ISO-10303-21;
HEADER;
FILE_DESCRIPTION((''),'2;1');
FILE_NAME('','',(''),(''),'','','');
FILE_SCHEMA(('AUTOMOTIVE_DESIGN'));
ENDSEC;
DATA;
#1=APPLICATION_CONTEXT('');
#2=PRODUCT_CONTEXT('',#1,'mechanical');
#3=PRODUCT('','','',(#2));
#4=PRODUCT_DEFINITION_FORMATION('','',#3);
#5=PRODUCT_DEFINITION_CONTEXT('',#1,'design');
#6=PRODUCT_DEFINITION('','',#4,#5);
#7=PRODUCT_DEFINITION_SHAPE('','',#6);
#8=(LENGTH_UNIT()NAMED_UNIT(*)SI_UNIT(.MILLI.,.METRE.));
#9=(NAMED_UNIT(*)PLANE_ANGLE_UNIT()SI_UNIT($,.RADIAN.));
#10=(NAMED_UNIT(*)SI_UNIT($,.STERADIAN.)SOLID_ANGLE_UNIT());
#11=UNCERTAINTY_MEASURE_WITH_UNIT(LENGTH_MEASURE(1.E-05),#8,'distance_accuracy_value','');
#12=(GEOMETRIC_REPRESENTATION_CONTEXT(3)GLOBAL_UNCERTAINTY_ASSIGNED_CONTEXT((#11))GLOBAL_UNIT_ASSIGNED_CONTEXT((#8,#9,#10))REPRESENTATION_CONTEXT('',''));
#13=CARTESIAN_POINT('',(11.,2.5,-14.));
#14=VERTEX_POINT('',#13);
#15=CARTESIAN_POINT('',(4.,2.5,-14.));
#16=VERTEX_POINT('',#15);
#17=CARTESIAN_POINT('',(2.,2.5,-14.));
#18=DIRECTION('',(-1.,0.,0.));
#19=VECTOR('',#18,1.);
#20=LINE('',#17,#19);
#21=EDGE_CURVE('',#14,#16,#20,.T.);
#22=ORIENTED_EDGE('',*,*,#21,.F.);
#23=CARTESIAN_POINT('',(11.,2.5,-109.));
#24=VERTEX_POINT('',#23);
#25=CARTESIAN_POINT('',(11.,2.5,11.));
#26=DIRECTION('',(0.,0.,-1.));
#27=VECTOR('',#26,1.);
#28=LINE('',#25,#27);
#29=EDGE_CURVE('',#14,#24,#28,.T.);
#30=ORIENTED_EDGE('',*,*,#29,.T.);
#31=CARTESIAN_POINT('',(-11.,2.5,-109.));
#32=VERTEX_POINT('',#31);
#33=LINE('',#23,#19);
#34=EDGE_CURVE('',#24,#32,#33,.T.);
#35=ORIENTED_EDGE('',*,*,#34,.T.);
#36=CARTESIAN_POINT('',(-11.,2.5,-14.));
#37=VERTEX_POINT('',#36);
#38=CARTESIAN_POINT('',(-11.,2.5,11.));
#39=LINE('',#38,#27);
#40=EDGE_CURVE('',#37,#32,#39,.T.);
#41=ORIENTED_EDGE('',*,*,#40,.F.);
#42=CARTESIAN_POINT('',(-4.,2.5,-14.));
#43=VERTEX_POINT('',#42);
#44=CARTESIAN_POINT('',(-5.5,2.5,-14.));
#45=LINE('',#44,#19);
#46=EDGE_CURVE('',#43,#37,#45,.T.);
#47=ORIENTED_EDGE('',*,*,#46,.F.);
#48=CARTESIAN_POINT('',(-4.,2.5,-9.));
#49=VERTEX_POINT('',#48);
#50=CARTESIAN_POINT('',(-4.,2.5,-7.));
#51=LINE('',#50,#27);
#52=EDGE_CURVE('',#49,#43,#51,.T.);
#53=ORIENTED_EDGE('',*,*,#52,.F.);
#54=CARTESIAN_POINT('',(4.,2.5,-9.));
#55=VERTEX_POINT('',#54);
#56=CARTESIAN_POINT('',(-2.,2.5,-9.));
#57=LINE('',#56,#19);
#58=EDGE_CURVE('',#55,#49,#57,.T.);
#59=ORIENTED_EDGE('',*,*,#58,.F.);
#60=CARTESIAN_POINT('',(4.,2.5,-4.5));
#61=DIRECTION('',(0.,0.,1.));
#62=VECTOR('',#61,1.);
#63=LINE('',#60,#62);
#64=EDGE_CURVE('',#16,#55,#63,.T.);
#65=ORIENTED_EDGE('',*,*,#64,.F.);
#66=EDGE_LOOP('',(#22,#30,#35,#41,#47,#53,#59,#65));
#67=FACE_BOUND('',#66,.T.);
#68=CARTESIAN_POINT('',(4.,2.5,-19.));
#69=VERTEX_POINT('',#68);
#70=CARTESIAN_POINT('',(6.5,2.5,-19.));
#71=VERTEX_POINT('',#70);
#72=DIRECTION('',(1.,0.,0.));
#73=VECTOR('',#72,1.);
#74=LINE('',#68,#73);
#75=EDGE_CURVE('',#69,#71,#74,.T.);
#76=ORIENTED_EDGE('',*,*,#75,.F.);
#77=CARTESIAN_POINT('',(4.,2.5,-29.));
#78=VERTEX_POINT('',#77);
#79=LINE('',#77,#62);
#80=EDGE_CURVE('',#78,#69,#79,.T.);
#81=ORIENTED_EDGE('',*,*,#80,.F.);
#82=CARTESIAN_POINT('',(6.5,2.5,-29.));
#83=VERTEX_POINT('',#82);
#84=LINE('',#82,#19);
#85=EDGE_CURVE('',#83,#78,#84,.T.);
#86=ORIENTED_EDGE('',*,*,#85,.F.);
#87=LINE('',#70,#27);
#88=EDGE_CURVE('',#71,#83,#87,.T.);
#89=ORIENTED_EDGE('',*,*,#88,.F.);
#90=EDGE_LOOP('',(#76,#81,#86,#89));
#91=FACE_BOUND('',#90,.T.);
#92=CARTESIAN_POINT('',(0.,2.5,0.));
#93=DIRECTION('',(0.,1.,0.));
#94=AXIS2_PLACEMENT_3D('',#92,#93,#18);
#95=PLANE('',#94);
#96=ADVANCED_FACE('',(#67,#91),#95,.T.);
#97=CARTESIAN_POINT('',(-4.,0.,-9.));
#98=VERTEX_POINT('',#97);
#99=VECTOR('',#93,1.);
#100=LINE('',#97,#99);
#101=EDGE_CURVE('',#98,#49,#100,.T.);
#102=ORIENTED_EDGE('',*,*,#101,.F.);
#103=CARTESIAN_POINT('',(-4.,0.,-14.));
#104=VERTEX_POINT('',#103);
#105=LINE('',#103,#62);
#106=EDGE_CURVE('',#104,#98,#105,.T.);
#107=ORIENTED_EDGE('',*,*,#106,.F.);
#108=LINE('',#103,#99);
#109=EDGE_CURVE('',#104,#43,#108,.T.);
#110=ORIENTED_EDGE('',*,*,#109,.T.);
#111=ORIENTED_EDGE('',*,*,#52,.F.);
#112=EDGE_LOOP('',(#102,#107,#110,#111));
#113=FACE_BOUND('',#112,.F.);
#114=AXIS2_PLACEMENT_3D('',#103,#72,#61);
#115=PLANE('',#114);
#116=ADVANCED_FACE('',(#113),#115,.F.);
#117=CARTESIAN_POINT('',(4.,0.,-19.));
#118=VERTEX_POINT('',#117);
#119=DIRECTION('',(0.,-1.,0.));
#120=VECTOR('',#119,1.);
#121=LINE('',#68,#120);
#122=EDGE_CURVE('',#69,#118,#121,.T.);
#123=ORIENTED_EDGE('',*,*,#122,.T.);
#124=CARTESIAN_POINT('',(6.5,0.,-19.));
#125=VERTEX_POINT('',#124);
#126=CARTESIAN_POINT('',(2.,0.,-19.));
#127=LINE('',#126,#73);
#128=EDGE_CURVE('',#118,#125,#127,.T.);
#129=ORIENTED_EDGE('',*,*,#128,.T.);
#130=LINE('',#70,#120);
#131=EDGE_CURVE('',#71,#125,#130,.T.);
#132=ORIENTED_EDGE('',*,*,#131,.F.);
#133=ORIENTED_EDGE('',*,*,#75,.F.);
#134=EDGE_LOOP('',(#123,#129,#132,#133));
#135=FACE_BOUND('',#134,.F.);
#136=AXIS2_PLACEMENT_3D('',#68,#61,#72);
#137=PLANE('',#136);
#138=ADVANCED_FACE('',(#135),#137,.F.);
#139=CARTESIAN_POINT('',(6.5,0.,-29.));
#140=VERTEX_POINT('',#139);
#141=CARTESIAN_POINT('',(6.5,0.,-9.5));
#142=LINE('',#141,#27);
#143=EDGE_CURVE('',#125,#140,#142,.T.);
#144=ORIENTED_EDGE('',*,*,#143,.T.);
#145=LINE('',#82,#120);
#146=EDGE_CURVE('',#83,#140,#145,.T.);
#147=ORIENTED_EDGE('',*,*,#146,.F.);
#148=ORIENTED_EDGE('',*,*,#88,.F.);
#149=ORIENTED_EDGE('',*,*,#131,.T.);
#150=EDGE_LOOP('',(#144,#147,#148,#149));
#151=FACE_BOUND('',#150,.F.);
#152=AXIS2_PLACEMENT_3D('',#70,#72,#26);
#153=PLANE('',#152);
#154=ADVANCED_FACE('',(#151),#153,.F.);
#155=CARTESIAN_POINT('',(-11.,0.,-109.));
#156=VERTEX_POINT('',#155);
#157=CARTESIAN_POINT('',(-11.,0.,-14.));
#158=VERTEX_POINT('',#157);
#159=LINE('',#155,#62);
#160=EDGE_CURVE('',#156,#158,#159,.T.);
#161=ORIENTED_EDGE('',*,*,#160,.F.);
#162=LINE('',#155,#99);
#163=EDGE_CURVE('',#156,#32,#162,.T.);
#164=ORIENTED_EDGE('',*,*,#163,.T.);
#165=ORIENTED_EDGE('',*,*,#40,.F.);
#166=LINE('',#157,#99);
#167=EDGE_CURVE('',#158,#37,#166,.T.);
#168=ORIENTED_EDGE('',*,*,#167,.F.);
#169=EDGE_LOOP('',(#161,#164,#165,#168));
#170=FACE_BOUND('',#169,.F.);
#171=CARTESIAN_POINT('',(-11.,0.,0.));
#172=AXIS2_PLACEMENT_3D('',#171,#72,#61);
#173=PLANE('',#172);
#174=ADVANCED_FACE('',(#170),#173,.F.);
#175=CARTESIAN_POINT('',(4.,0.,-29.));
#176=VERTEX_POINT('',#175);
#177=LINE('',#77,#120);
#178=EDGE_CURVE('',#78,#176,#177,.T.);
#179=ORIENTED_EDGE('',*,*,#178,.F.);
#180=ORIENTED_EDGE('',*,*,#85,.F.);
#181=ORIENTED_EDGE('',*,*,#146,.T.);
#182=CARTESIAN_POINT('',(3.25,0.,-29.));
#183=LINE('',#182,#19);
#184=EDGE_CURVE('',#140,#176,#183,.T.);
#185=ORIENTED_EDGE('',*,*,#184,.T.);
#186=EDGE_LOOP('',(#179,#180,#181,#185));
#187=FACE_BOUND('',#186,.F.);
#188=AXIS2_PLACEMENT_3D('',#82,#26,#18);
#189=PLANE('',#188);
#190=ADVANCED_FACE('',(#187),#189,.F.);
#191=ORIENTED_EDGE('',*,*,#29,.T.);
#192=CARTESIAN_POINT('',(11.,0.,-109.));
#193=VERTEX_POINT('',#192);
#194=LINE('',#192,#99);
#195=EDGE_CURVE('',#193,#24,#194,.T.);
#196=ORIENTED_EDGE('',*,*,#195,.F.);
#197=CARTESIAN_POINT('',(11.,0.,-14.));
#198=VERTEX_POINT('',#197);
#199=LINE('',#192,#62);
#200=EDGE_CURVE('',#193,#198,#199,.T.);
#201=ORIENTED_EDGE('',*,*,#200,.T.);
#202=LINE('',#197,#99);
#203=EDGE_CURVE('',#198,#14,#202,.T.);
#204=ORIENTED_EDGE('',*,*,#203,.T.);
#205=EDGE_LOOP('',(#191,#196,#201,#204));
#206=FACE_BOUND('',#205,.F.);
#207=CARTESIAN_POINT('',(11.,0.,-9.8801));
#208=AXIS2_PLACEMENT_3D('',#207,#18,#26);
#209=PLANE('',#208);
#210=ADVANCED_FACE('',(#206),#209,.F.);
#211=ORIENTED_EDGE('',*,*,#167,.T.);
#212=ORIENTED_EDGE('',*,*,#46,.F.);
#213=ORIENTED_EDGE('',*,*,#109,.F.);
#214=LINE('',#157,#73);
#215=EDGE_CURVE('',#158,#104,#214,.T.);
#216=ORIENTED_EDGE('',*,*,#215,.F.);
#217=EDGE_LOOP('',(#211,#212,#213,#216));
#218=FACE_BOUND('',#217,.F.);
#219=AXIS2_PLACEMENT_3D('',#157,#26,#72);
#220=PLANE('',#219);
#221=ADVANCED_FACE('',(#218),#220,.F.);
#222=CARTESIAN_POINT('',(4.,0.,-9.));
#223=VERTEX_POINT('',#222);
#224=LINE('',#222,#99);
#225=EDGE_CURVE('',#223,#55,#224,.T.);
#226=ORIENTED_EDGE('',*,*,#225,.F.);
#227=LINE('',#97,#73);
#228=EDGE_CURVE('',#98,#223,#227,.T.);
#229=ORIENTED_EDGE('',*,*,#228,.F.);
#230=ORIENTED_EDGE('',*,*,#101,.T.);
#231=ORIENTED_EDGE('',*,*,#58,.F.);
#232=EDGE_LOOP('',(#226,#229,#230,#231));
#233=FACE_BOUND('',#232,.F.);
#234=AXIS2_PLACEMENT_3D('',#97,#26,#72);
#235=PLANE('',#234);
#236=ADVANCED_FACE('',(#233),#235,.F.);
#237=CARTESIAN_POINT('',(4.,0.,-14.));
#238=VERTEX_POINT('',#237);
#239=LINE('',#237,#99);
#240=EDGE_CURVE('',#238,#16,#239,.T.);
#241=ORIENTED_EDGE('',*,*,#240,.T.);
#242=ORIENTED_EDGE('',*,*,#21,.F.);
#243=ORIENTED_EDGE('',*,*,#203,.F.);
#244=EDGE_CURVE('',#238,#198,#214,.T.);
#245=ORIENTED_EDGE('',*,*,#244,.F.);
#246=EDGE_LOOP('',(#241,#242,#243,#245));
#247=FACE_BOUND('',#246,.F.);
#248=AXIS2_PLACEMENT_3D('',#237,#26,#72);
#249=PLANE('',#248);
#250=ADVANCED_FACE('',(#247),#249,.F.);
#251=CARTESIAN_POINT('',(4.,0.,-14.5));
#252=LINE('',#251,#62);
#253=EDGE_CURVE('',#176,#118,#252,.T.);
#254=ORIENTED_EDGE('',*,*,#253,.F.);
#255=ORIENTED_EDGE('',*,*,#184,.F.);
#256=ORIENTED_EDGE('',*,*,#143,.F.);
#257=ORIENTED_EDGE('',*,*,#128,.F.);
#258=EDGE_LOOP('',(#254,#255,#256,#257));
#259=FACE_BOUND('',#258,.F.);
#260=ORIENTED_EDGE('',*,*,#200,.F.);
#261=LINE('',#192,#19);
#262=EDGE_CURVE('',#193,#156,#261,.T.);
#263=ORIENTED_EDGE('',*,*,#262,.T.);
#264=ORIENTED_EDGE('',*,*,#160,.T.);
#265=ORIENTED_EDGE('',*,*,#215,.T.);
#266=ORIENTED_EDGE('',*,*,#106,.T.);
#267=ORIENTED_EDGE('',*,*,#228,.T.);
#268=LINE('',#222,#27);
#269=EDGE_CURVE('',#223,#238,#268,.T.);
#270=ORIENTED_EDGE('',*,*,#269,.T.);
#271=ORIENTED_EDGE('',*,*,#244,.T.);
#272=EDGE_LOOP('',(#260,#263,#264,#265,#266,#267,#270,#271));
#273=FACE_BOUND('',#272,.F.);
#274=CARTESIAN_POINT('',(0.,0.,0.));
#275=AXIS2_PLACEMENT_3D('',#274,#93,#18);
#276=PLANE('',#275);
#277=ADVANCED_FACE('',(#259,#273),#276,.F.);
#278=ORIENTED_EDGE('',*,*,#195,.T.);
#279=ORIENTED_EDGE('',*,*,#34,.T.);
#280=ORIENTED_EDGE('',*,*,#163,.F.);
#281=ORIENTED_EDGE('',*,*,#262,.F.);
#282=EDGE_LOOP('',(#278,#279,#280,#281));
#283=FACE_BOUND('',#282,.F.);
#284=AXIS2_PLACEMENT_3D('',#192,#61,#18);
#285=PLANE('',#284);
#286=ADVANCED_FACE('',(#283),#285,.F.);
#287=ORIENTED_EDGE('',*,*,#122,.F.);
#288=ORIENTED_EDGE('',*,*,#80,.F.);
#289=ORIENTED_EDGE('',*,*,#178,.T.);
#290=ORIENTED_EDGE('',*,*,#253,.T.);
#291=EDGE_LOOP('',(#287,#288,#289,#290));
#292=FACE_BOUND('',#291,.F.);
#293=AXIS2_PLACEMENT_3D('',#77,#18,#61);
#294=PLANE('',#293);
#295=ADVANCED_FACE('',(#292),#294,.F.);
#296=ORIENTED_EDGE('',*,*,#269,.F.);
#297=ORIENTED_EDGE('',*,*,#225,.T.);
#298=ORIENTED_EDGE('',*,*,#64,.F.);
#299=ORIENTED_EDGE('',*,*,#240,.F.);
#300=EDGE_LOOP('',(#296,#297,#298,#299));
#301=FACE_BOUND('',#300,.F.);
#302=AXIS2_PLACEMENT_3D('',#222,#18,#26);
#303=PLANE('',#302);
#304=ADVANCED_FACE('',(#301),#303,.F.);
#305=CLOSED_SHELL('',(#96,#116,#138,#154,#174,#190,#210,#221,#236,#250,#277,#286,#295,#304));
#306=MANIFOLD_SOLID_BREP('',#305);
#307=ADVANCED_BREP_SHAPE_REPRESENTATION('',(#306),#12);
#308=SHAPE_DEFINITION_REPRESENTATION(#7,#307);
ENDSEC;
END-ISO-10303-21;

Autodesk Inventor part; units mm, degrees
ref_plane "YZ Plane" through (0, 0, 0) normal (1, 0, 0) x (0, 1, 0)
ref_plane "XZ Plane" through (0, 0, 0) normal (0, 1, 0) x (-1, 0, 0)
ref_plane "XY Plane" through (0, 0, 0) normal (0, 0, 1) x (1, 0, 0)
sketch "スケッチ1" plane through (0, 0, 0) normal (0, 1, 0) x (-1, 0, 0)
  line L0 (11, 11) -> (-11, 11)
  line L1 (-11, 11) -> (-11, -9.8801)
  line L2 (11, -9) -> (11, 11)
  line L3 (-11, -5.4423) -> (-11, -109)
  line L4 (-11, -109) -> (11, -109)
  line L5 (11, -109) -> (11, -9)
  circle A0 centre (0, 0) radius 11
  point P0 (11, 1)
  dimension "d1" = 20
  dimension "d12" = 22
  dimension "d13" = 120
extrude "押し出し1" add sketch "スケッチ1" along normal blind 2.5
sketch "スケッチ2" plane through (0, 0, 0) normal (0, -1, 0) x (1, 0, 0)
  line L0 (11, 11) -> (-11, 11)
  line L1 (-11, 11) -> (-11, -14)
  line L2 (-11, -14) -> (11, -14)
  line L3 (11, -14) -> (11, 11)
  line L4 (4, -14) -> (-4, -14)
  line L5 (-4, -14) -> (-4, -9)
  line L6 (-4, -9) -> (4, -9)
  line L7 (4, -9) -> (4, -14)
  point P0 (0, 0)
  point P1 (0, -14)
  dimension "d14" = 25
  dimension "d15" = 8
  dimension "d16" = 5
extrude "押し出し2" cut sketch "スケッチ2" against normal through all contours L3 L2 L7 L6 L5 L1 L0
sketch "スケッチ3" plane through (0, 2.5, 0) normal (0, 1, 0) x (1, 0, 0)
  line L0 (4, 19) -> (6.5, 19)
  line L1 (6.5, 19) -> (6.5, 29)
  line L2 (6.5, 29) -> (4, 29)
  line L3 (4, 29) -> (4, 19)
  line L4 (4, 14) -> (11, 14) projected
  line L5 (4, 9) -> (4, 14) projected
  point P0 (0, 0)
  dimension "d19" = 2.5
  dimension "d20" = 10
  dimension "d21" = 5
extrude "押し出し3" cut sketch "スケッチ3" against normal through all
equation "\"BendRadius\" = Thickness"
equation "\"BendReliefWidth\" = Thickness"
equation "\"BendReliefDepth\" = 0.5 * Thickness"
equation "\"CornerReliefSize\" = 4 * Thickness"
equation "\"MinimumRemnant\" = 2 * Thickness"
equation "\"TransitionRadius\" = BendRadius"
equation "\"JacobiRadiusSize\" = BendRadius"
equation "\"GapSize\" = Thickness"
equation "\"Thickness\" = 3.048"
properties part number "dish_upper" material "木材 (カエデ材)"
